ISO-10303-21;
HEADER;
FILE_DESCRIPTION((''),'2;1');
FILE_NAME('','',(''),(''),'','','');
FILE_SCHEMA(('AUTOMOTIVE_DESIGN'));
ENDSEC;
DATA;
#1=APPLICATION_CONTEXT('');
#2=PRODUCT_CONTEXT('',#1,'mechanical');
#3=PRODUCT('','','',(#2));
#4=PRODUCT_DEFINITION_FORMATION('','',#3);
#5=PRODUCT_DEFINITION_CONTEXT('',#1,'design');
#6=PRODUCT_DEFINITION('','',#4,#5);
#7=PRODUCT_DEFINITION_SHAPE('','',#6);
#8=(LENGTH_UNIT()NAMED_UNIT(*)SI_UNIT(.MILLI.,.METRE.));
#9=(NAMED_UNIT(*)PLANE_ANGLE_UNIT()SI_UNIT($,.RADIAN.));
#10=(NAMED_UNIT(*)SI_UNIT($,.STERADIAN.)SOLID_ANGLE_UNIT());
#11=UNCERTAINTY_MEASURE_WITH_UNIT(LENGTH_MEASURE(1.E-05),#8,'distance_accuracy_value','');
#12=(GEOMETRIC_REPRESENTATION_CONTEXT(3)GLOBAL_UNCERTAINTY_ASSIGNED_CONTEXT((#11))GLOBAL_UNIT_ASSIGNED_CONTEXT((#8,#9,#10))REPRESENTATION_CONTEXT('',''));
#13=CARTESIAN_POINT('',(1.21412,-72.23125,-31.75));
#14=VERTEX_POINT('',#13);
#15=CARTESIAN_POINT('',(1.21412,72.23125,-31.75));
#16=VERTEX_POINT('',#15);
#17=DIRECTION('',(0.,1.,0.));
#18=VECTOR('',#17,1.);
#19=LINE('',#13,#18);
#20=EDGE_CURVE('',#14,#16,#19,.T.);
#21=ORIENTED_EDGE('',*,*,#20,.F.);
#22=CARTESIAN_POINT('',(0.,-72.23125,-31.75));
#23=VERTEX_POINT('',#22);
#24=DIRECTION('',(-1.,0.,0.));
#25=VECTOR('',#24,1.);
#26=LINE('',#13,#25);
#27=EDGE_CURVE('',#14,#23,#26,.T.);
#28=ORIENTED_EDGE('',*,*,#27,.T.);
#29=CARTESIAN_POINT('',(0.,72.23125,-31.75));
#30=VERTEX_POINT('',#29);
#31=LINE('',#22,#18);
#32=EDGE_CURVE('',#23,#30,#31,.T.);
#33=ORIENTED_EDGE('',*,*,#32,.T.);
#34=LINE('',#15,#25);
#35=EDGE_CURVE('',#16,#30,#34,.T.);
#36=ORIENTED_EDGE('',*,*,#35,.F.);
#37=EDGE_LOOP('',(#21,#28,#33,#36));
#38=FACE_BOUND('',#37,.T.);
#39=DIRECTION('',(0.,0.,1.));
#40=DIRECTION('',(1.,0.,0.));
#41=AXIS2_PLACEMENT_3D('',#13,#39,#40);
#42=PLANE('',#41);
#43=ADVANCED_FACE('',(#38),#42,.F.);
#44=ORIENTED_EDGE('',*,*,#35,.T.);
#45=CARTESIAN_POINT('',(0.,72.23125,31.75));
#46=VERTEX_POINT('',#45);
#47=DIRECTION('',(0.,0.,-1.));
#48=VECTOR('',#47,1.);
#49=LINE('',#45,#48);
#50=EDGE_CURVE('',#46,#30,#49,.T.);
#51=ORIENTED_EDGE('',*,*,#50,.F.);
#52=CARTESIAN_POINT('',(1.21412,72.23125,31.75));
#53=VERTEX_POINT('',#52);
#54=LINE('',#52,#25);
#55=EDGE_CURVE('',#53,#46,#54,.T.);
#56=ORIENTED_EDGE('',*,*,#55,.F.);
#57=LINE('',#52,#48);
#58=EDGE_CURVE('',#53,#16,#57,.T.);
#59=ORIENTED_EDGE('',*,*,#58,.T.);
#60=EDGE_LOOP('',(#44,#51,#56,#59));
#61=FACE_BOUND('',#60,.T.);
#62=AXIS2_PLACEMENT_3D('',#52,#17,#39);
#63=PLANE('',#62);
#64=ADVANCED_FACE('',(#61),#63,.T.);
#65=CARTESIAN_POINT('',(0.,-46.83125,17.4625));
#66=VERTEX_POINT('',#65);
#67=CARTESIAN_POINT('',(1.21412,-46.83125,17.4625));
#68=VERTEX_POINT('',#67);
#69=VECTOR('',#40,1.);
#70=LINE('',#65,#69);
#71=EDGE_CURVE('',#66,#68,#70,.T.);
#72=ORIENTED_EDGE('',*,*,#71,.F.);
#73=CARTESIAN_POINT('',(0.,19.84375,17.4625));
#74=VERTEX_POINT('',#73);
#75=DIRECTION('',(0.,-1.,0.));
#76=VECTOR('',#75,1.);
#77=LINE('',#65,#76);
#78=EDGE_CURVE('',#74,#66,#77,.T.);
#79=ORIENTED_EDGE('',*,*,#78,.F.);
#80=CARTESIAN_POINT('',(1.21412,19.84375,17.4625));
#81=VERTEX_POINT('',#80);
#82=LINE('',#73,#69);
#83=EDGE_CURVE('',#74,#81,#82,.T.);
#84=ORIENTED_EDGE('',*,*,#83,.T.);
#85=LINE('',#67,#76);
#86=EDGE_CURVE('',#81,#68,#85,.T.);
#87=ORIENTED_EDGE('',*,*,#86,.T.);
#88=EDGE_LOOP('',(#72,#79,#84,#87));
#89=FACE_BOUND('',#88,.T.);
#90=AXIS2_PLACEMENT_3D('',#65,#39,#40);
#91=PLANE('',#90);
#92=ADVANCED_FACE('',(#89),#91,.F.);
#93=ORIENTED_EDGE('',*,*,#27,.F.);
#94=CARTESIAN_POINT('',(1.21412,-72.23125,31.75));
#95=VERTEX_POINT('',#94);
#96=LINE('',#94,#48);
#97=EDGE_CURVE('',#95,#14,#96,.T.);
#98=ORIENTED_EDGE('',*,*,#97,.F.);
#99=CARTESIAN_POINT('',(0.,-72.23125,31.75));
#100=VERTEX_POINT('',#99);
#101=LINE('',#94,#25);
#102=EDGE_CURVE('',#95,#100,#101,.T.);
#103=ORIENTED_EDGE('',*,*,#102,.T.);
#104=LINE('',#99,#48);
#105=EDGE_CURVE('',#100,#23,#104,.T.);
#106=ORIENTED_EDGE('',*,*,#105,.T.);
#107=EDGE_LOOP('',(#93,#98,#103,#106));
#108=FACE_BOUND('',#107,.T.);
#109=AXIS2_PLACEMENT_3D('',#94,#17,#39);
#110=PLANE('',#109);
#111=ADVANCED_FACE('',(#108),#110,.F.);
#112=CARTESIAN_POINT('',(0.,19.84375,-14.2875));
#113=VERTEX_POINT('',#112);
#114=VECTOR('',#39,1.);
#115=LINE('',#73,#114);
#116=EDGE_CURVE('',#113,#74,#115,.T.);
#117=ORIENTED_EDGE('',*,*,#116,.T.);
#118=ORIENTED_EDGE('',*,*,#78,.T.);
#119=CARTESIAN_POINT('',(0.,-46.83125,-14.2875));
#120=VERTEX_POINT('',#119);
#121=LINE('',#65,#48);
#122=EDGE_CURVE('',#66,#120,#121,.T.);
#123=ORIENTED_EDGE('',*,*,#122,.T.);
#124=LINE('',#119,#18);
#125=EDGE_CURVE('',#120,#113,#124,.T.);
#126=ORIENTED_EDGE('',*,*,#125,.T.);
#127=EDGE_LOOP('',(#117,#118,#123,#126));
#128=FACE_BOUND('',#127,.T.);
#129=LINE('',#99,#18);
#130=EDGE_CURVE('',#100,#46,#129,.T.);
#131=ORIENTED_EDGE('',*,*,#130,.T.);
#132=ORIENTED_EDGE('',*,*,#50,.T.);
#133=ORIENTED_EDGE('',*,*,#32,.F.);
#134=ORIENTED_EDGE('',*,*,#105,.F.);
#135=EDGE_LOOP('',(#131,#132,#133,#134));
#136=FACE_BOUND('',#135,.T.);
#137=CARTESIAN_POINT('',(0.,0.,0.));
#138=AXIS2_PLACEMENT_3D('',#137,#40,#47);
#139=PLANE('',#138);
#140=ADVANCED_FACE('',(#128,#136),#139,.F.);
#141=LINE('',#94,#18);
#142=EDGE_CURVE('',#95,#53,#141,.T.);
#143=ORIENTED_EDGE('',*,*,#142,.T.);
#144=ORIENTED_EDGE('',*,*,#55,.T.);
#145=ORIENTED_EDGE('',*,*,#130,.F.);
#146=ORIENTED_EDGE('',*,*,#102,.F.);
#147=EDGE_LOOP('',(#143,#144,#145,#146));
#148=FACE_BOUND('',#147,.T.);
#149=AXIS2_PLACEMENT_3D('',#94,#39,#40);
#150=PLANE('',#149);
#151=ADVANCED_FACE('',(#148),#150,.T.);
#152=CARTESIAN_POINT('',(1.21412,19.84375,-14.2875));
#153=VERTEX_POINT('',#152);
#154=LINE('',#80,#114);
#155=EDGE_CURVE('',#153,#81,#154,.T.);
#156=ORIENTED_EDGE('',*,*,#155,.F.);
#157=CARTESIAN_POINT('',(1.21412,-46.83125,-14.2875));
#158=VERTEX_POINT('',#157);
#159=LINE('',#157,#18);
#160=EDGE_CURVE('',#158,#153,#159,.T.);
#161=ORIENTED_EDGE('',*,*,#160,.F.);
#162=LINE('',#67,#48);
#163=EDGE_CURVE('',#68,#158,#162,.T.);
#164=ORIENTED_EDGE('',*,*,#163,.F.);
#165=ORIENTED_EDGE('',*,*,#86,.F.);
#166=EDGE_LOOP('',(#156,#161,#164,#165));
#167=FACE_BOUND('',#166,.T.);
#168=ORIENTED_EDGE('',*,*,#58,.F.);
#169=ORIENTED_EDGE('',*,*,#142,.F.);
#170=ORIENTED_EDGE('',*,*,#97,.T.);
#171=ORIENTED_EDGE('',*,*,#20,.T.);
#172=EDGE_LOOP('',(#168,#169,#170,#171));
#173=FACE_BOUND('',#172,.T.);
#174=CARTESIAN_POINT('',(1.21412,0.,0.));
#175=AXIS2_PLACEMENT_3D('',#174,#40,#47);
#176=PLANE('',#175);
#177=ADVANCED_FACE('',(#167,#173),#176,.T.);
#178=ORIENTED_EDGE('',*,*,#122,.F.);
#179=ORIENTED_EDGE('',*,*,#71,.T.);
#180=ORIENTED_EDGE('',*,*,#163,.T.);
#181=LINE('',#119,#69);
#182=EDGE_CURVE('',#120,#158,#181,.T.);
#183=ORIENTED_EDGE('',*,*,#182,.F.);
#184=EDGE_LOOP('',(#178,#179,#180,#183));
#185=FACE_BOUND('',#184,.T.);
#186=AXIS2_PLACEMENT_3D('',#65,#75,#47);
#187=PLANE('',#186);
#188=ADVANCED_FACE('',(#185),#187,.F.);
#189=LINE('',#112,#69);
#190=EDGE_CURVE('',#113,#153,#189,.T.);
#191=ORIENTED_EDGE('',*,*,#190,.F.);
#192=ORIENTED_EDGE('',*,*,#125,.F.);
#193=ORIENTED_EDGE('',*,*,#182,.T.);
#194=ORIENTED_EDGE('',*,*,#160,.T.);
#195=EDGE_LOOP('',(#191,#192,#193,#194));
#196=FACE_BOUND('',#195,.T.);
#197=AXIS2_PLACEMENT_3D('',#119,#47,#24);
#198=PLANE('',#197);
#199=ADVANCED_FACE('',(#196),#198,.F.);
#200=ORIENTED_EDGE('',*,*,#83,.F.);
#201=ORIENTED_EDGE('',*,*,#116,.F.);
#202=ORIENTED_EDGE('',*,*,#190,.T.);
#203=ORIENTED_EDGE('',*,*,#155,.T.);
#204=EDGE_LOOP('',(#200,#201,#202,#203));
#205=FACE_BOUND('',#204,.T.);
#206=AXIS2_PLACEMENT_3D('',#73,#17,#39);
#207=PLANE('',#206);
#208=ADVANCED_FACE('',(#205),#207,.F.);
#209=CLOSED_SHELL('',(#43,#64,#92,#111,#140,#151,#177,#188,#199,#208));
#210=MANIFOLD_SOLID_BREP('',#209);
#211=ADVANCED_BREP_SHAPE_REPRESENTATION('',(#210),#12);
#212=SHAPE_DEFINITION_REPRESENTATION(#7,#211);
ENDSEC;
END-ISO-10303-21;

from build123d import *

# Parameters (mm, degrees)
SKETCH1_W           = 63.5
SKETCH1_H           = 144.4625
BOSS_EXTRUDE1_DEPTH = 1.21412
SKETCH3_W           = 31.75
SKETCH3_H           = 66.675
CUT_EXTRUDE1_DEPTH  = 2.21412


with BuildPart() as part:
    # Sketch1 → Boss-Extrude1 (new body)
    with BuildSketch(Plane(origin=(0, 0, 0), x_dir=(0, 0, -1), z_dir=(1, 0, 0))):
        Rectangle(SKETCH1_W, SKETCH1_H)
    extrude(amount=BOSS_EXTRUDE1_DEPTH)

    # Sketch3 → Cut-Extrude1 (cut, through all)
    with BuildSketch(Plane(origin=(1.21412, 0, 0), x_dir=(0, 0, -1), z_dir=(1, 0, 0))):
        with Locations((-1.5875, -13.49375)):
            Rectangle(SKETCH3_W, SKETCH3_H)
    extrude(amount=-CUT_EXTRUDE1_DEPTH, mode=Mode.SUBTRACT)


solid = part.part
